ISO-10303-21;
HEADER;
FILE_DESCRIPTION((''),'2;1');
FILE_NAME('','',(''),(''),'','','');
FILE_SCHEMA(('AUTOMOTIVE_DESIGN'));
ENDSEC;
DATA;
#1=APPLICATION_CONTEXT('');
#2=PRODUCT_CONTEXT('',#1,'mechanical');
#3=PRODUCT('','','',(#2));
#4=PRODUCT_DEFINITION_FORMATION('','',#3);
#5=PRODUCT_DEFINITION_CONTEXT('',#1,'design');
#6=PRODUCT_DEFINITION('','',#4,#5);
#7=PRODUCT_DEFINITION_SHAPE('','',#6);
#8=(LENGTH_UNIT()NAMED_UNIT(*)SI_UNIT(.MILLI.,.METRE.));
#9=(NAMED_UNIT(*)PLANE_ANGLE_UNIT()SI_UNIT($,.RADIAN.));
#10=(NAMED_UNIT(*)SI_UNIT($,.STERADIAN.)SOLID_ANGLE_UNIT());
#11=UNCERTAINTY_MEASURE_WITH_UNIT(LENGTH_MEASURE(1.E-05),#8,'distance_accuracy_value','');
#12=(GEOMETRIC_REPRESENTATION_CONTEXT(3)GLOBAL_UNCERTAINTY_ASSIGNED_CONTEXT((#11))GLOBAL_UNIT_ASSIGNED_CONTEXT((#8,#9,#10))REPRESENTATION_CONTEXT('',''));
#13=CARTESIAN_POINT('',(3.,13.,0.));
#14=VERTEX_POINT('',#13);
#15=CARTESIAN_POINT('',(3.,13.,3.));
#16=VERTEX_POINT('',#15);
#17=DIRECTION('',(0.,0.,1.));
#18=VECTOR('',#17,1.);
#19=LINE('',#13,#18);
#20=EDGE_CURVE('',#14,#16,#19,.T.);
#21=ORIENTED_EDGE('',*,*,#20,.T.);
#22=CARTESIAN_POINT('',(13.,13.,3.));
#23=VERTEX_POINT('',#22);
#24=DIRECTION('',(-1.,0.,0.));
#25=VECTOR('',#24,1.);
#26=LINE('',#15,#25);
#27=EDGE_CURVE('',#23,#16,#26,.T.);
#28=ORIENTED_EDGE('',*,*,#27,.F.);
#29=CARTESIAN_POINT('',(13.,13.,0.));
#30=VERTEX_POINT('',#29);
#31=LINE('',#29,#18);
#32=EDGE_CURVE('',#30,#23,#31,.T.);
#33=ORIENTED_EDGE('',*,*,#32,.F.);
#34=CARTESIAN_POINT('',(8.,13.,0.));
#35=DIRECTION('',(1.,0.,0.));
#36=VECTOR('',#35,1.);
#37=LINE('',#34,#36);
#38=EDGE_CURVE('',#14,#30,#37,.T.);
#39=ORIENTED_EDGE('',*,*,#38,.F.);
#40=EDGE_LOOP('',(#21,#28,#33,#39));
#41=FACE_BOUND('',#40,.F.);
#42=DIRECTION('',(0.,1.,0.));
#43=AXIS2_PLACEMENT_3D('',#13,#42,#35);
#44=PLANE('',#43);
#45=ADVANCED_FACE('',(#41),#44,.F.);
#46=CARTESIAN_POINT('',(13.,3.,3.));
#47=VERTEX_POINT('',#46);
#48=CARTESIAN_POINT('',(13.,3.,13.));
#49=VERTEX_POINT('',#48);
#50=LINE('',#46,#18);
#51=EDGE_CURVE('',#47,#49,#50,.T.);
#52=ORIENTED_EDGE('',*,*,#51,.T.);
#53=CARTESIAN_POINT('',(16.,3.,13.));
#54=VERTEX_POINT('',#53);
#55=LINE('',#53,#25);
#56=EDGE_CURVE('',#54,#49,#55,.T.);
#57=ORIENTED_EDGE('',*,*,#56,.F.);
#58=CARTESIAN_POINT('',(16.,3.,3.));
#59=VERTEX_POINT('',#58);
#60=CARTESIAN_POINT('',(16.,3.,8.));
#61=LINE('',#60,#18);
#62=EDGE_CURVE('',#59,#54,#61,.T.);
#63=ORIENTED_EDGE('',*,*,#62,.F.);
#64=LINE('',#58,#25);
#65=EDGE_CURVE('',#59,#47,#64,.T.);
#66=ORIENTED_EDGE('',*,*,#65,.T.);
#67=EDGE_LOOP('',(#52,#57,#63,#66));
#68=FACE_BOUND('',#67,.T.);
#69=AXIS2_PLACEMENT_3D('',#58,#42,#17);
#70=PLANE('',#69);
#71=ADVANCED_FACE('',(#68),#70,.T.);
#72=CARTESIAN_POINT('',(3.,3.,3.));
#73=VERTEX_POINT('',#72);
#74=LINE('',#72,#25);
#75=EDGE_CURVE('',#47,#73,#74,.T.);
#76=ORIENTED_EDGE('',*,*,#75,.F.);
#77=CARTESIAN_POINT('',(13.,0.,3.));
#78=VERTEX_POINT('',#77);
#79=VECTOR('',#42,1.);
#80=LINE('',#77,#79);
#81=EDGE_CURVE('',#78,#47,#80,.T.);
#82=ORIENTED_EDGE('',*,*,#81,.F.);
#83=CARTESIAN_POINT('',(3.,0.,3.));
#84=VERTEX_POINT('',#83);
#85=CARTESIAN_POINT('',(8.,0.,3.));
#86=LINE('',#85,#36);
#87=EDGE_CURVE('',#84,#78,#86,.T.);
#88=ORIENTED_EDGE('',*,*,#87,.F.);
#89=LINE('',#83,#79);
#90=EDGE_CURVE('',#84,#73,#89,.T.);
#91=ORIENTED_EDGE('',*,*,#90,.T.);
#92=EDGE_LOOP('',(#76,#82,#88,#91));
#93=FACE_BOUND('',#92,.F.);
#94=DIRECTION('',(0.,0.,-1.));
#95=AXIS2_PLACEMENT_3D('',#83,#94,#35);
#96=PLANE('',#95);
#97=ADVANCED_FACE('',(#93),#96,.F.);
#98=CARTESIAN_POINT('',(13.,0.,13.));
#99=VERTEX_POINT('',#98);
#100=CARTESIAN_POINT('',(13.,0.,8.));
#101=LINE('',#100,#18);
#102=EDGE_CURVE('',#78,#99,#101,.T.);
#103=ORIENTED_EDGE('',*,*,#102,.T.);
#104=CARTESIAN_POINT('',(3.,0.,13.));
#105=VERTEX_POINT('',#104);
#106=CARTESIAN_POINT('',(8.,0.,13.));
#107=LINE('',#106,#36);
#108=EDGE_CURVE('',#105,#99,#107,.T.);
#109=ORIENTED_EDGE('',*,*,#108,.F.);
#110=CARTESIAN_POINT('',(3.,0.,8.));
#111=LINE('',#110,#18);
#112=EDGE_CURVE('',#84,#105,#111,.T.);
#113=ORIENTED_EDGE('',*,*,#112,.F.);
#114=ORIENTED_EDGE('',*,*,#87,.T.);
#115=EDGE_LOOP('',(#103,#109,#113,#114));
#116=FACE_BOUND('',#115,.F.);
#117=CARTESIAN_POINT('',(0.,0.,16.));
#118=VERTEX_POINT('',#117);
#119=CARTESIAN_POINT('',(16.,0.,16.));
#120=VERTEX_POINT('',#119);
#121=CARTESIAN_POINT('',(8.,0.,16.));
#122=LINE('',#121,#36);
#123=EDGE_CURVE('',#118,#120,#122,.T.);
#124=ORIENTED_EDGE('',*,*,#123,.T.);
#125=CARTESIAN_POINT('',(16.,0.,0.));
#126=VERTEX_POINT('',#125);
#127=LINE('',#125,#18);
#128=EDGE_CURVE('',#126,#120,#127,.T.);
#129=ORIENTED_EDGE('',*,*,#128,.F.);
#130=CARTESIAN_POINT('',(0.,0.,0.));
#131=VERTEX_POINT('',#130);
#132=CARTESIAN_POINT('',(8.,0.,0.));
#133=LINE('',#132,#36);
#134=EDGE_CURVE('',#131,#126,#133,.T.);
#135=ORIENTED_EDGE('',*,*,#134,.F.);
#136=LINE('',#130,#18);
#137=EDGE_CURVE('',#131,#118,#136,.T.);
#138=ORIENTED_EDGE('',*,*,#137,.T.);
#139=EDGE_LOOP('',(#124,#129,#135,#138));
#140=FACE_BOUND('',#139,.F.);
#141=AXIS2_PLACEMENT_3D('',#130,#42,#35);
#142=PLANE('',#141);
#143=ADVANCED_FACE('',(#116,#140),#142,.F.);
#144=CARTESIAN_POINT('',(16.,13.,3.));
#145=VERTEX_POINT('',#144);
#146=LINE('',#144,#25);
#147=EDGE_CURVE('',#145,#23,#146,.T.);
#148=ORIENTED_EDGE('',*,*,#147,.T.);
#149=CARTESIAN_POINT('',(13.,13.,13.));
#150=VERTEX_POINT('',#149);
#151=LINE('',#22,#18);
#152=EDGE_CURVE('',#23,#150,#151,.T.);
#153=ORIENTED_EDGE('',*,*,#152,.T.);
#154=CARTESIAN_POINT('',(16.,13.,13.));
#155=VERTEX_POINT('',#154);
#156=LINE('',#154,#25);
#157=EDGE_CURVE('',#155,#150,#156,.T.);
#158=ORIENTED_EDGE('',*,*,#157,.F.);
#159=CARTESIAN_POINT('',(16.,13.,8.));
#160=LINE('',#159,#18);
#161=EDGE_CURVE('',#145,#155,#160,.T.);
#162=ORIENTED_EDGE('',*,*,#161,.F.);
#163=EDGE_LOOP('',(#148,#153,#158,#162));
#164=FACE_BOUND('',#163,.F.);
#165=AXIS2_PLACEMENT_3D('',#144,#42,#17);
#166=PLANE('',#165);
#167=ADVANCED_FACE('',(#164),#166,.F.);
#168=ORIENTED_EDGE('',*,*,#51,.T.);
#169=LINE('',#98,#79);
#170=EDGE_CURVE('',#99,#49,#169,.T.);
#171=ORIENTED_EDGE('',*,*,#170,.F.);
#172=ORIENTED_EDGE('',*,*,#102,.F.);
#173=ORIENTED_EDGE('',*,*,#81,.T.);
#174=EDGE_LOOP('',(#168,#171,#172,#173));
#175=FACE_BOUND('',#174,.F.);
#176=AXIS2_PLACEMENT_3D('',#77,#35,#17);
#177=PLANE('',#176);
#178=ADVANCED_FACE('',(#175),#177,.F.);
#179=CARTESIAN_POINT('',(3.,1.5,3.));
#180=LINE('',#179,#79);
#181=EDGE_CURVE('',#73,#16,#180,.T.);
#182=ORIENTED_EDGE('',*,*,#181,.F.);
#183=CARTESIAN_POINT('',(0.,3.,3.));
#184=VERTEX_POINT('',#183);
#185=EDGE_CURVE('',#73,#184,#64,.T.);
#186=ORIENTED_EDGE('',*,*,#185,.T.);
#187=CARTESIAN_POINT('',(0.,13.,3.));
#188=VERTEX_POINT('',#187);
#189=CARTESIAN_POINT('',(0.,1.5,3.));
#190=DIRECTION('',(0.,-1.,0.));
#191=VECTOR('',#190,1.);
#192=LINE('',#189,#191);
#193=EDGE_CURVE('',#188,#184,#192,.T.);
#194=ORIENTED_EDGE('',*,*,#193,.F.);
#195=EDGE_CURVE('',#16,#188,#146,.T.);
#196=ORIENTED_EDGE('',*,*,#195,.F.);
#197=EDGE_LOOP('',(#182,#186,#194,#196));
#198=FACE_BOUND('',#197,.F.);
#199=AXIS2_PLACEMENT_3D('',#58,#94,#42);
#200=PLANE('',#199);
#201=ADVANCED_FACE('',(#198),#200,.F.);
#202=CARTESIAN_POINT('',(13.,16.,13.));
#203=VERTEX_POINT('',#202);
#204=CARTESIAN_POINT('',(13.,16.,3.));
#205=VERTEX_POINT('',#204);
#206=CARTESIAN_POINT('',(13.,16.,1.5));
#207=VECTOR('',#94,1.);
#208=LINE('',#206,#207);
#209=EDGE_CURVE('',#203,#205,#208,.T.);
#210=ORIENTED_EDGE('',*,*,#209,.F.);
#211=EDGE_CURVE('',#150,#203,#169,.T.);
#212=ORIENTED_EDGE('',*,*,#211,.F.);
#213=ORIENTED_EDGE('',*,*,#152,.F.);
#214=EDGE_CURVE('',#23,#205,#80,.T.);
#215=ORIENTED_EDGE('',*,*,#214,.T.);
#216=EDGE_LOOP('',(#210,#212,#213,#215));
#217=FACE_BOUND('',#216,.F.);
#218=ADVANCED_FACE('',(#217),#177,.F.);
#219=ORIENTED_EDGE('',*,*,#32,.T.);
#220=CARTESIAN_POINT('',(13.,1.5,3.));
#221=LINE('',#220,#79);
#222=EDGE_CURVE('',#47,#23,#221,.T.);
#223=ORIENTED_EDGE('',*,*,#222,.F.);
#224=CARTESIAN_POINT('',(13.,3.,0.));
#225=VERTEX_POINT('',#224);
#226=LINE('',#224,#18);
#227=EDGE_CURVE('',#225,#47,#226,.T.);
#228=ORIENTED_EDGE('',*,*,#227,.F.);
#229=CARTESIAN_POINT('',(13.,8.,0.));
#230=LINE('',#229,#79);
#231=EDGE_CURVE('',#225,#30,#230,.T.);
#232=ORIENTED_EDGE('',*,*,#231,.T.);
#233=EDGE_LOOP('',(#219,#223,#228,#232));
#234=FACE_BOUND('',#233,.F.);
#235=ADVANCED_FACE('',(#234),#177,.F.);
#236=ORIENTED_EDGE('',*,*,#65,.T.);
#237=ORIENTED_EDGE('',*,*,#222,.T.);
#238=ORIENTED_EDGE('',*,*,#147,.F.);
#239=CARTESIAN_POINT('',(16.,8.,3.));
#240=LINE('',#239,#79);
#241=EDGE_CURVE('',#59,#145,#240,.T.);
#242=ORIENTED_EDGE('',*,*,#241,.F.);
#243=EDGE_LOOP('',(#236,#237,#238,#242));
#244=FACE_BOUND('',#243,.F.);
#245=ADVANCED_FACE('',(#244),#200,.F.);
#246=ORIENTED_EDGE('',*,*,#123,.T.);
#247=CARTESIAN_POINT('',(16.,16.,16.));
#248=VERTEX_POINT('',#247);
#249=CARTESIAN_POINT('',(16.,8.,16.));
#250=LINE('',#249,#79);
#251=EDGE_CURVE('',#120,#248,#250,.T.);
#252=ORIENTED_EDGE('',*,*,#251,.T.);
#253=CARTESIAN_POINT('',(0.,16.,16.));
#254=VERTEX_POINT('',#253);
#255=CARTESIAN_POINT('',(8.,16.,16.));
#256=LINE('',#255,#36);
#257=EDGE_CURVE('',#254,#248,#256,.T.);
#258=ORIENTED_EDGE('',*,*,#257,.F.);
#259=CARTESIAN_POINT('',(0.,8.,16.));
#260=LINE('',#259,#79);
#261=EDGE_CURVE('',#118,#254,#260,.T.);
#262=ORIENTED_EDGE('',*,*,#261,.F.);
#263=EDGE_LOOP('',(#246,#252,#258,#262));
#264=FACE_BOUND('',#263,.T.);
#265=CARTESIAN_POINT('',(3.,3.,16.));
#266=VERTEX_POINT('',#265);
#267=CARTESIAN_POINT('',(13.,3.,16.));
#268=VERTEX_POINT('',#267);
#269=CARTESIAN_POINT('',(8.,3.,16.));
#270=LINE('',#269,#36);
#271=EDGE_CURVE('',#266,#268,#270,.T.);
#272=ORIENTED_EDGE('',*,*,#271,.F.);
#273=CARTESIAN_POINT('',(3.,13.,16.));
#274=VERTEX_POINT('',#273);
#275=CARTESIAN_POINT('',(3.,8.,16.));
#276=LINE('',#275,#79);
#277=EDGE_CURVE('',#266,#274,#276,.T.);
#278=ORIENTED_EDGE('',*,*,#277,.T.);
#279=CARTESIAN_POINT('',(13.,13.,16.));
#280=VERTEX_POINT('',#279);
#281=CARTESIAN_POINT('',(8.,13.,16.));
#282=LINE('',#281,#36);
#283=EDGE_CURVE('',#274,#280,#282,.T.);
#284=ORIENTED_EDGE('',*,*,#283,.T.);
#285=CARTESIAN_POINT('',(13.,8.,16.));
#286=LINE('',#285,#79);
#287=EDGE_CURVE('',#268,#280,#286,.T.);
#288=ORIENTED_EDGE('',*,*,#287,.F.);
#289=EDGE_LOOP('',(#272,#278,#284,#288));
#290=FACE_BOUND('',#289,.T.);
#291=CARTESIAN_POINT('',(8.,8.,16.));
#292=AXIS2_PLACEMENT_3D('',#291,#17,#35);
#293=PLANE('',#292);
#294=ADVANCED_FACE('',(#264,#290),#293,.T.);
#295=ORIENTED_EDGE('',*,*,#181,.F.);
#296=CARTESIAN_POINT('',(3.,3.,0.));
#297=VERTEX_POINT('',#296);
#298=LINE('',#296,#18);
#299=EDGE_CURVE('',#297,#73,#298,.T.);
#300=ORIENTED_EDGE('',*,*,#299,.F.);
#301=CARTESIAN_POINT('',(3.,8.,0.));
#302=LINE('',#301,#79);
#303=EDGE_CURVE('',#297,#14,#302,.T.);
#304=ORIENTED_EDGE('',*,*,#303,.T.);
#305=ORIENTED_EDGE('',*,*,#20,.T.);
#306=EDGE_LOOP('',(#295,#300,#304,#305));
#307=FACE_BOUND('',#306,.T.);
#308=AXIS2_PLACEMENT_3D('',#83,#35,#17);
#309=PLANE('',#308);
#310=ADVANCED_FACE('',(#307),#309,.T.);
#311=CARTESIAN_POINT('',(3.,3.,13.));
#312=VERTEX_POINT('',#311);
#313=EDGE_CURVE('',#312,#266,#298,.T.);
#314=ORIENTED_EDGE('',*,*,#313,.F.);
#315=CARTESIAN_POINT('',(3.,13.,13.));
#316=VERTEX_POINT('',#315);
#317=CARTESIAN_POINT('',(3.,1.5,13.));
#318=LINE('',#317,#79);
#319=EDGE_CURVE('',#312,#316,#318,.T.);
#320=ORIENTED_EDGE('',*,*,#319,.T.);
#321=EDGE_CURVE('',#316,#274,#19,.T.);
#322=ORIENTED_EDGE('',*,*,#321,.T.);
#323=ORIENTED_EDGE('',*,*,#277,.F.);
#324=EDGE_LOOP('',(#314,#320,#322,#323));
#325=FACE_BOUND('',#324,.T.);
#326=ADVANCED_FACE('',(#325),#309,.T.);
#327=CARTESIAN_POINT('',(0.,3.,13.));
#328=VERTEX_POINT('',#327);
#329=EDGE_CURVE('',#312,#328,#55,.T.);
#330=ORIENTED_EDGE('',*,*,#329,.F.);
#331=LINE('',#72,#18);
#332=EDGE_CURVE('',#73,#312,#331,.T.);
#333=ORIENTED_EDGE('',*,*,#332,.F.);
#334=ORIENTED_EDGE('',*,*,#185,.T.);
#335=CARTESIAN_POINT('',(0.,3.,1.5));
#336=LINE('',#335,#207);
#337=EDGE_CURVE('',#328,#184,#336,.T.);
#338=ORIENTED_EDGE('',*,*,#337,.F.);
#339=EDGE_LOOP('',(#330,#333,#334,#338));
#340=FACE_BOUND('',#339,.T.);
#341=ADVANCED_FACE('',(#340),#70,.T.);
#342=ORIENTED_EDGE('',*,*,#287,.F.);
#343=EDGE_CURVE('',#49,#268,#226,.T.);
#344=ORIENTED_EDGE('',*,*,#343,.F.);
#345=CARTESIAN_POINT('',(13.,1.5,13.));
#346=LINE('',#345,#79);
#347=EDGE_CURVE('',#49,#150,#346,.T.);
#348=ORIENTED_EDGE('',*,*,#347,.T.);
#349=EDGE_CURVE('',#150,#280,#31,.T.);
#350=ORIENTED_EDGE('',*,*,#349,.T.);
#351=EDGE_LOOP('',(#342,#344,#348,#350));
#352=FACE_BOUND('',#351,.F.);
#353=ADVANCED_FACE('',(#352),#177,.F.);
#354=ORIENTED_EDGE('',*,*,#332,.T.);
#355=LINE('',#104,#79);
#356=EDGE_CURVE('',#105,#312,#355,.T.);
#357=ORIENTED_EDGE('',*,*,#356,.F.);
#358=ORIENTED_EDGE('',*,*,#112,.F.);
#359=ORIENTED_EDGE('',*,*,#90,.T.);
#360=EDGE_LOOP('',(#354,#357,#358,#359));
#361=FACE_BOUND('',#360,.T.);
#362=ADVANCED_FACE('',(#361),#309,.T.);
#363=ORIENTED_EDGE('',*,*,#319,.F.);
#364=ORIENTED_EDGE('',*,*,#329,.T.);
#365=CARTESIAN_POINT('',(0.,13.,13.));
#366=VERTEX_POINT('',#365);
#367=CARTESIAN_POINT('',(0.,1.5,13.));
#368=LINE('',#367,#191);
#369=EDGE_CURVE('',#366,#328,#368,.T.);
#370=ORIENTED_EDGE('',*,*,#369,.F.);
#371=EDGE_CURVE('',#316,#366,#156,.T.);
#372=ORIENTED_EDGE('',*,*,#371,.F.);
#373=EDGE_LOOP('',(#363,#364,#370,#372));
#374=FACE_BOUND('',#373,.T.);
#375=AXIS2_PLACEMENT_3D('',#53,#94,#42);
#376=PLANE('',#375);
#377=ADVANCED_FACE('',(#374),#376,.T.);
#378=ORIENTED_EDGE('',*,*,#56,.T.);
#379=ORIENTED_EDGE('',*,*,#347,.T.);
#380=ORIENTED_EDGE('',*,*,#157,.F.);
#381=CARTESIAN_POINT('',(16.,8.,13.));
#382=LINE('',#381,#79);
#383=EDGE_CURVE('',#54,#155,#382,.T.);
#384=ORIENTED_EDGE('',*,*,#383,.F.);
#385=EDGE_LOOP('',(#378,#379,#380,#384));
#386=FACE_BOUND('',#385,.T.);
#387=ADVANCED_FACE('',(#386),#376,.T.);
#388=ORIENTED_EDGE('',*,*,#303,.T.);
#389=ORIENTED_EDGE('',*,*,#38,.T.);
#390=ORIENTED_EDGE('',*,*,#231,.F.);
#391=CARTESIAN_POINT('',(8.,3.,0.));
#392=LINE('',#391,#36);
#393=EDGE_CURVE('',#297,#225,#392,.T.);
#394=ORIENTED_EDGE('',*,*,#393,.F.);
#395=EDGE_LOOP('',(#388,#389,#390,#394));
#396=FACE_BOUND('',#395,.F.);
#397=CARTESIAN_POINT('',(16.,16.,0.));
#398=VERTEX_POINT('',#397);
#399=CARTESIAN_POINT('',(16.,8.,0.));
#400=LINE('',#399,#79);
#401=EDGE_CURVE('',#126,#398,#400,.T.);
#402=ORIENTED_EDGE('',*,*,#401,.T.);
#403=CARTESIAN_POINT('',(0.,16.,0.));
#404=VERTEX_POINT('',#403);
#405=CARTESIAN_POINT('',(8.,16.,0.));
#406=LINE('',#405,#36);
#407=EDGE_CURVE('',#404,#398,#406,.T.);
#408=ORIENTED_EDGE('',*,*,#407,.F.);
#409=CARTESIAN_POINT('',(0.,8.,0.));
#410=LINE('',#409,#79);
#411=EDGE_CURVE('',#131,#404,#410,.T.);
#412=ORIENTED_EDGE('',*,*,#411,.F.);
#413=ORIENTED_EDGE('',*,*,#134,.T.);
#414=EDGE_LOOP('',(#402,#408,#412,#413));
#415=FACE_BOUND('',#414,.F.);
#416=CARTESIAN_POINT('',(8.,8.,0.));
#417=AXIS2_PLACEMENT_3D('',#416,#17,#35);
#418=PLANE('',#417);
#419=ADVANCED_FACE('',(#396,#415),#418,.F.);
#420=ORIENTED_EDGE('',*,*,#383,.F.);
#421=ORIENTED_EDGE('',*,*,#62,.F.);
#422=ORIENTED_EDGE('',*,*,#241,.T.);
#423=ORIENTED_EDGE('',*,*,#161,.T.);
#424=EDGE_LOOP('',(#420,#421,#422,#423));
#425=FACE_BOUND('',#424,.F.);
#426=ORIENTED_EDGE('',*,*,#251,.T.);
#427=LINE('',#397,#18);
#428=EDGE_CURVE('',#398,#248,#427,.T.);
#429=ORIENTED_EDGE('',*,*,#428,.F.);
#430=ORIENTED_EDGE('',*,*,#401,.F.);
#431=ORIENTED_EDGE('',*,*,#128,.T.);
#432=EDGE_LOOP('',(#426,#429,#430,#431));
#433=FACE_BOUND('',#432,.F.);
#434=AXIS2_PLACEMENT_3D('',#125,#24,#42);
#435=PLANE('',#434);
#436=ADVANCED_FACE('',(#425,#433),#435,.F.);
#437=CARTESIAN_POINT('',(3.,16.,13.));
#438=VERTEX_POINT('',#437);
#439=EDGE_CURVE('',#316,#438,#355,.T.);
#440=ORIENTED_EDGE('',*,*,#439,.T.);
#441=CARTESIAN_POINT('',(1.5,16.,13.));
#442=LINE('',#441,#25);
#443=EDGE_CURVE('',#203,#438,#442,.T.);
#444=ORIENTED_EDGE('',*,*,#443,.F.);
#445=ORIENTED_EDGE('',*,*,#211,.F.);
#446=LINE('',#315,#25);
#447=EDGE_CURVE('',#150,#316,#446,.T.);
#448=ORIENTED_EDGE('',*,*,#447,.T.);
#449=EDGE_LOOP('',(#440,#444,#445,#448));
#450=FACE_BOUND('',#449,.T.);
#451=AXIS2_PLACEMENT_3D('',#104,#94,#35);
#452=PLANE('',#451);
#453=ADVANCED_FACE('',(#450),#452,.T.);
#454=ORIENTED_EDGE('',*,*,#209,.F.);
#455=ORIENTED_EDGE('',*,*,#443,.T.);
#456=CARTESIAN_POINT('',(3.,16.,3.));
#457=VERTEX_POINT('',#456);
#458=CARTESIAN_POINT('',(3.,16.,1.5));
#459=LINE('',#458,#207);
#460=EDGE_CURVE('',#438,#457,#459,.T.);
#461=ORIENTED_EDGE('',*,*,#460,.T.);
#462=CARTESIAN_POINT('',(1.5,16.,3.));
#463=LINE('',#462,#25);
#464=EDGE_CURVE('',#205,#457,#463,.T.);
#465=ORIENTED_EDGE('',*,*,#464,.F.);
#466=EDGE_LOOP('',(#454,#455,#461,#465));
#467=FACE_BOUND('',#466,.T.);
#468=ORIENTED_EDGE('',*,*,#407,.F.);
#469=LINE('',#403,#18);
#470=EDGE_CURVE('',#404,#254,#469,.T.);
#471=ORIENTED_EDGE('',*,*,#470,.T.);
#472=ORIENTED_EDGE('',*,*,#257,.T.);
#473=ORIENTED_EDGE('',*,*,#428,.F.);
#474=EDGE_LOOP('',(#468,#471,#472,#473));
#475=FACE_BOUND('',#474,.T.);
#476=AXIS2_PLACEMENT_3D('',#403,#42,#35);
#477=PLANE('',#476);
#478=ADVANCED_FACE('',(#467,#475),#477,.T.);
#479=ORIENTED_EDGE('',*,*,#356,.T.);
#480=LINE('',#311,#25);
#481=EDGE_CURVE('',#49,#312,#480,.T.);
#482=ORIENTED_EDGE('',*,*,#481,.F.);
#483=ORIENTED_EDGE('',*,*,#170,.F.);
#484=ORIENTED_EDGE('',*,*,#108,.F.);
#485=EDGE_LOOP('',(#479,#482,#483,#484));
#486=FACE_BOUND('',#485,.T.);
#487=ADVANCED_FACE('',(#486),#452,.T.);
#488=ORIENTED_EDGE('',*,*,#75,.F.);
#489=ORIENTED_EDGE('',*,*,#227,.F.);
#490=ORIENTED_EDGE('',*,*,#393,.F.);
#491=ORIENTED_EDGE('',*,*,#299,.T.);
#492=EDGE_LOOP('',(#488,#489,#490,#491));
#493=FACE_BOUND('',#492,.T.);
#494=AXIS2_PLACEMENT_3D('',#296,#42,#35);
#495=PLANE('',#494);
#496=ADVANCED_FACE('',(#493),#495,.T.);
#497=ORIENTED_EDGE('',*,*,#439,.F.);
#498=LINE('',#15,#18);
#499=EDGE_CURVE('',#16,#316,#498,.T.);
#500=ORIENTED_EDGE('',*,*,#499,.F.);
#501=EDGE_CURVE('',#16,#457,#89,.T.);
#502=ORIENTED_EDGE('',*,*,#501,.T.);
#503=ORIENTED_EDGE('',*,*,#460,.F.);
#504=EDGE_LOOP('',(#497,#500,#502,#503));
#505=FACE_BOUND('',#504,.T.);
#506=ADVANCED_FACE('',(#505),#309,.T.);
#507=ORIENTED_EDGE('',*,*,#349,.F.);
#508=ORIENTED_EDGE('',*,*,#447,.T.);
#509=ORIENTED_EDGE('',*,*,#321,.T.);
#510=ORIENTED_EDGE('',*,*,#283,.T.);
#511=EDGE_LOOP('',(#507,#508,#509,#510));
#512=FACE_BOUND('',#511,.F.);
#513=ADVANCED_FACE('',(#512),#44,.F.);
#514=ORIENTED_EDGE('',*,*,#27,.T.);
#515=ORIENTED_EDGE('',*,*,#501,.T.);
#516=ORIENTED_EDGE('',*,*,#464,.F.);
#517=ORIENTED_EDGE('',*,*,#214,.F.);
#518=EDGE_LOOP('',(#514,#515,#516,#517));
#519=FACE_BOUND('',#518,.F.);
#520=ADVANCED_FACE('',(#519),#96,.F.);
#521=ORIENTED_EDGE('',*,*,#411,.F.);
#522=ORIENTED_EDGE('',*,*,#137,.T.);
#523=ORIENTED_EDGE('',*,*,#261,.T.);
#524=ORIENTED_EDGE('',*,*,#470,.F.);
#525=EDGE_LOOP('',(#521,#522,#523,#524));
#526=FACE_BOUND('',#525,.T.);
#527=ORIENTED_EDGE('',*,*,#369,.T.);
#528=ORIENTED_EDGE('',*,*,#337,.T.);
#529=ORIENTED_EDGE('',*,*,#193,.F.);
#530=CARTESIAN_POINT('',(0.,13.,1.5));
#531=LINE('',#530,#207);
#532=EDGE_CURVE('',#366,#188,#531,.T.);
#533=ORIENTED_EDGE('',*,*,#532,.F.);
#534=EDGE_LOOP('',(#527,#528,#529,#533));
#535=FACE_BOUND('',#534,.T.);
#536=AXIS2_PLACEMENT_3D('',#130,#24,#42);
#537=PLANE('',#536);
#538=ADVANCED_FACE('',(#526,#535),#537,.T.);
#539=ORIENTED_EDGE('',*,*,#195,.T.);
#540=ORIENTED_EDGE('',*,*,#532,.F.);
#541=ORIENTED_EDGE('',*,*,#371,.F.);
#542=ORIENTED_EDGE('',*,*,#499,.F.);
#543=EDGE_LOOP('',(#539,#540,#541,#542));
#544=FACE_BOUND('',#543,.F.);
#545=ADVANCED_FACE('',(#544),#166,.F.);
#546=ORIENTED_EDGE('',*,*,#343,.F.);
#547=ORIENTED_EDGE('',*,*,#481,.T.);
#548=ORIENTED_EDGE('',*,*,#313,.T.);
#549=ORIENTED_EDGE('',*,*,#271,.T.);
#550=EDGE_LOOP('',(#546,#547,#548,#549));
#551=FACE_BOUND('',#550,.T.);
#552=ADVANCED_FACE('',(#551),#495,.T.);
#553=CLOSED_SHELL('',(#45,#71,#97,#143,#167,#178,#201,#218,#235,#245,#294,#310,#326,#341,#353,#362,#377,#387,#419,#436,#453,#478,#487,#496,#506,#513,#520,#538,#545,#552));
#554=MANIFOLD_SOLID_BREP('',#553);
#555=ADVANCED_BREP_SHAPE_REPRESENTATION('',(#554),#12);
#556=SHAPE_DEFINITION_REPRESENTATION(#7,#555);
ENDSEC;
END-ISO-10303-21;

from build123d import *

# Parameters (mm, degrees)
F0_W     = 16
F0_H     = 16
F0_W_2   = 10
F0_H_2   = 10
F1_DEPTH = 16
F2_W     = 10
F2_H     = 10
F3_DEPTH = 25
F4_W     = 10
F4_H     = 10
F5_DEPTH = 25


with BuildPart() as f1:
    # F0 (on Top) → F1 (new body)
    with BuildSketch(Plane.XY):
        with Locations((8, 8)):
            Rectangle(F0_W, F0_H)
        with Locations((8, 8)):
            Rectangle(F0_W_2, F0_H_2, mode=Mode.SUBTRACT)
    extrude(amount=F1_DEPTH)

    # F2 (on face) → F3 (cut)
    with BuildSketch(Plane.XZ):
        with Locations((8, 8)):
            Rectangle(F2_W, F2_H)
    extrude(amount=-F3_DEPTH, mode=Mode.SUBTRACT)

    # F4 (on face) → F5 (cut)
    with BuildSketch(Plane.YZ.offset(16)):
        with Locations((8, 8)):
            Rectangle(F4_W, F4_H)
    extrude(amount=-F5_DEPTH, mode=Mode.SUBTRACT)


solid = f1.part
